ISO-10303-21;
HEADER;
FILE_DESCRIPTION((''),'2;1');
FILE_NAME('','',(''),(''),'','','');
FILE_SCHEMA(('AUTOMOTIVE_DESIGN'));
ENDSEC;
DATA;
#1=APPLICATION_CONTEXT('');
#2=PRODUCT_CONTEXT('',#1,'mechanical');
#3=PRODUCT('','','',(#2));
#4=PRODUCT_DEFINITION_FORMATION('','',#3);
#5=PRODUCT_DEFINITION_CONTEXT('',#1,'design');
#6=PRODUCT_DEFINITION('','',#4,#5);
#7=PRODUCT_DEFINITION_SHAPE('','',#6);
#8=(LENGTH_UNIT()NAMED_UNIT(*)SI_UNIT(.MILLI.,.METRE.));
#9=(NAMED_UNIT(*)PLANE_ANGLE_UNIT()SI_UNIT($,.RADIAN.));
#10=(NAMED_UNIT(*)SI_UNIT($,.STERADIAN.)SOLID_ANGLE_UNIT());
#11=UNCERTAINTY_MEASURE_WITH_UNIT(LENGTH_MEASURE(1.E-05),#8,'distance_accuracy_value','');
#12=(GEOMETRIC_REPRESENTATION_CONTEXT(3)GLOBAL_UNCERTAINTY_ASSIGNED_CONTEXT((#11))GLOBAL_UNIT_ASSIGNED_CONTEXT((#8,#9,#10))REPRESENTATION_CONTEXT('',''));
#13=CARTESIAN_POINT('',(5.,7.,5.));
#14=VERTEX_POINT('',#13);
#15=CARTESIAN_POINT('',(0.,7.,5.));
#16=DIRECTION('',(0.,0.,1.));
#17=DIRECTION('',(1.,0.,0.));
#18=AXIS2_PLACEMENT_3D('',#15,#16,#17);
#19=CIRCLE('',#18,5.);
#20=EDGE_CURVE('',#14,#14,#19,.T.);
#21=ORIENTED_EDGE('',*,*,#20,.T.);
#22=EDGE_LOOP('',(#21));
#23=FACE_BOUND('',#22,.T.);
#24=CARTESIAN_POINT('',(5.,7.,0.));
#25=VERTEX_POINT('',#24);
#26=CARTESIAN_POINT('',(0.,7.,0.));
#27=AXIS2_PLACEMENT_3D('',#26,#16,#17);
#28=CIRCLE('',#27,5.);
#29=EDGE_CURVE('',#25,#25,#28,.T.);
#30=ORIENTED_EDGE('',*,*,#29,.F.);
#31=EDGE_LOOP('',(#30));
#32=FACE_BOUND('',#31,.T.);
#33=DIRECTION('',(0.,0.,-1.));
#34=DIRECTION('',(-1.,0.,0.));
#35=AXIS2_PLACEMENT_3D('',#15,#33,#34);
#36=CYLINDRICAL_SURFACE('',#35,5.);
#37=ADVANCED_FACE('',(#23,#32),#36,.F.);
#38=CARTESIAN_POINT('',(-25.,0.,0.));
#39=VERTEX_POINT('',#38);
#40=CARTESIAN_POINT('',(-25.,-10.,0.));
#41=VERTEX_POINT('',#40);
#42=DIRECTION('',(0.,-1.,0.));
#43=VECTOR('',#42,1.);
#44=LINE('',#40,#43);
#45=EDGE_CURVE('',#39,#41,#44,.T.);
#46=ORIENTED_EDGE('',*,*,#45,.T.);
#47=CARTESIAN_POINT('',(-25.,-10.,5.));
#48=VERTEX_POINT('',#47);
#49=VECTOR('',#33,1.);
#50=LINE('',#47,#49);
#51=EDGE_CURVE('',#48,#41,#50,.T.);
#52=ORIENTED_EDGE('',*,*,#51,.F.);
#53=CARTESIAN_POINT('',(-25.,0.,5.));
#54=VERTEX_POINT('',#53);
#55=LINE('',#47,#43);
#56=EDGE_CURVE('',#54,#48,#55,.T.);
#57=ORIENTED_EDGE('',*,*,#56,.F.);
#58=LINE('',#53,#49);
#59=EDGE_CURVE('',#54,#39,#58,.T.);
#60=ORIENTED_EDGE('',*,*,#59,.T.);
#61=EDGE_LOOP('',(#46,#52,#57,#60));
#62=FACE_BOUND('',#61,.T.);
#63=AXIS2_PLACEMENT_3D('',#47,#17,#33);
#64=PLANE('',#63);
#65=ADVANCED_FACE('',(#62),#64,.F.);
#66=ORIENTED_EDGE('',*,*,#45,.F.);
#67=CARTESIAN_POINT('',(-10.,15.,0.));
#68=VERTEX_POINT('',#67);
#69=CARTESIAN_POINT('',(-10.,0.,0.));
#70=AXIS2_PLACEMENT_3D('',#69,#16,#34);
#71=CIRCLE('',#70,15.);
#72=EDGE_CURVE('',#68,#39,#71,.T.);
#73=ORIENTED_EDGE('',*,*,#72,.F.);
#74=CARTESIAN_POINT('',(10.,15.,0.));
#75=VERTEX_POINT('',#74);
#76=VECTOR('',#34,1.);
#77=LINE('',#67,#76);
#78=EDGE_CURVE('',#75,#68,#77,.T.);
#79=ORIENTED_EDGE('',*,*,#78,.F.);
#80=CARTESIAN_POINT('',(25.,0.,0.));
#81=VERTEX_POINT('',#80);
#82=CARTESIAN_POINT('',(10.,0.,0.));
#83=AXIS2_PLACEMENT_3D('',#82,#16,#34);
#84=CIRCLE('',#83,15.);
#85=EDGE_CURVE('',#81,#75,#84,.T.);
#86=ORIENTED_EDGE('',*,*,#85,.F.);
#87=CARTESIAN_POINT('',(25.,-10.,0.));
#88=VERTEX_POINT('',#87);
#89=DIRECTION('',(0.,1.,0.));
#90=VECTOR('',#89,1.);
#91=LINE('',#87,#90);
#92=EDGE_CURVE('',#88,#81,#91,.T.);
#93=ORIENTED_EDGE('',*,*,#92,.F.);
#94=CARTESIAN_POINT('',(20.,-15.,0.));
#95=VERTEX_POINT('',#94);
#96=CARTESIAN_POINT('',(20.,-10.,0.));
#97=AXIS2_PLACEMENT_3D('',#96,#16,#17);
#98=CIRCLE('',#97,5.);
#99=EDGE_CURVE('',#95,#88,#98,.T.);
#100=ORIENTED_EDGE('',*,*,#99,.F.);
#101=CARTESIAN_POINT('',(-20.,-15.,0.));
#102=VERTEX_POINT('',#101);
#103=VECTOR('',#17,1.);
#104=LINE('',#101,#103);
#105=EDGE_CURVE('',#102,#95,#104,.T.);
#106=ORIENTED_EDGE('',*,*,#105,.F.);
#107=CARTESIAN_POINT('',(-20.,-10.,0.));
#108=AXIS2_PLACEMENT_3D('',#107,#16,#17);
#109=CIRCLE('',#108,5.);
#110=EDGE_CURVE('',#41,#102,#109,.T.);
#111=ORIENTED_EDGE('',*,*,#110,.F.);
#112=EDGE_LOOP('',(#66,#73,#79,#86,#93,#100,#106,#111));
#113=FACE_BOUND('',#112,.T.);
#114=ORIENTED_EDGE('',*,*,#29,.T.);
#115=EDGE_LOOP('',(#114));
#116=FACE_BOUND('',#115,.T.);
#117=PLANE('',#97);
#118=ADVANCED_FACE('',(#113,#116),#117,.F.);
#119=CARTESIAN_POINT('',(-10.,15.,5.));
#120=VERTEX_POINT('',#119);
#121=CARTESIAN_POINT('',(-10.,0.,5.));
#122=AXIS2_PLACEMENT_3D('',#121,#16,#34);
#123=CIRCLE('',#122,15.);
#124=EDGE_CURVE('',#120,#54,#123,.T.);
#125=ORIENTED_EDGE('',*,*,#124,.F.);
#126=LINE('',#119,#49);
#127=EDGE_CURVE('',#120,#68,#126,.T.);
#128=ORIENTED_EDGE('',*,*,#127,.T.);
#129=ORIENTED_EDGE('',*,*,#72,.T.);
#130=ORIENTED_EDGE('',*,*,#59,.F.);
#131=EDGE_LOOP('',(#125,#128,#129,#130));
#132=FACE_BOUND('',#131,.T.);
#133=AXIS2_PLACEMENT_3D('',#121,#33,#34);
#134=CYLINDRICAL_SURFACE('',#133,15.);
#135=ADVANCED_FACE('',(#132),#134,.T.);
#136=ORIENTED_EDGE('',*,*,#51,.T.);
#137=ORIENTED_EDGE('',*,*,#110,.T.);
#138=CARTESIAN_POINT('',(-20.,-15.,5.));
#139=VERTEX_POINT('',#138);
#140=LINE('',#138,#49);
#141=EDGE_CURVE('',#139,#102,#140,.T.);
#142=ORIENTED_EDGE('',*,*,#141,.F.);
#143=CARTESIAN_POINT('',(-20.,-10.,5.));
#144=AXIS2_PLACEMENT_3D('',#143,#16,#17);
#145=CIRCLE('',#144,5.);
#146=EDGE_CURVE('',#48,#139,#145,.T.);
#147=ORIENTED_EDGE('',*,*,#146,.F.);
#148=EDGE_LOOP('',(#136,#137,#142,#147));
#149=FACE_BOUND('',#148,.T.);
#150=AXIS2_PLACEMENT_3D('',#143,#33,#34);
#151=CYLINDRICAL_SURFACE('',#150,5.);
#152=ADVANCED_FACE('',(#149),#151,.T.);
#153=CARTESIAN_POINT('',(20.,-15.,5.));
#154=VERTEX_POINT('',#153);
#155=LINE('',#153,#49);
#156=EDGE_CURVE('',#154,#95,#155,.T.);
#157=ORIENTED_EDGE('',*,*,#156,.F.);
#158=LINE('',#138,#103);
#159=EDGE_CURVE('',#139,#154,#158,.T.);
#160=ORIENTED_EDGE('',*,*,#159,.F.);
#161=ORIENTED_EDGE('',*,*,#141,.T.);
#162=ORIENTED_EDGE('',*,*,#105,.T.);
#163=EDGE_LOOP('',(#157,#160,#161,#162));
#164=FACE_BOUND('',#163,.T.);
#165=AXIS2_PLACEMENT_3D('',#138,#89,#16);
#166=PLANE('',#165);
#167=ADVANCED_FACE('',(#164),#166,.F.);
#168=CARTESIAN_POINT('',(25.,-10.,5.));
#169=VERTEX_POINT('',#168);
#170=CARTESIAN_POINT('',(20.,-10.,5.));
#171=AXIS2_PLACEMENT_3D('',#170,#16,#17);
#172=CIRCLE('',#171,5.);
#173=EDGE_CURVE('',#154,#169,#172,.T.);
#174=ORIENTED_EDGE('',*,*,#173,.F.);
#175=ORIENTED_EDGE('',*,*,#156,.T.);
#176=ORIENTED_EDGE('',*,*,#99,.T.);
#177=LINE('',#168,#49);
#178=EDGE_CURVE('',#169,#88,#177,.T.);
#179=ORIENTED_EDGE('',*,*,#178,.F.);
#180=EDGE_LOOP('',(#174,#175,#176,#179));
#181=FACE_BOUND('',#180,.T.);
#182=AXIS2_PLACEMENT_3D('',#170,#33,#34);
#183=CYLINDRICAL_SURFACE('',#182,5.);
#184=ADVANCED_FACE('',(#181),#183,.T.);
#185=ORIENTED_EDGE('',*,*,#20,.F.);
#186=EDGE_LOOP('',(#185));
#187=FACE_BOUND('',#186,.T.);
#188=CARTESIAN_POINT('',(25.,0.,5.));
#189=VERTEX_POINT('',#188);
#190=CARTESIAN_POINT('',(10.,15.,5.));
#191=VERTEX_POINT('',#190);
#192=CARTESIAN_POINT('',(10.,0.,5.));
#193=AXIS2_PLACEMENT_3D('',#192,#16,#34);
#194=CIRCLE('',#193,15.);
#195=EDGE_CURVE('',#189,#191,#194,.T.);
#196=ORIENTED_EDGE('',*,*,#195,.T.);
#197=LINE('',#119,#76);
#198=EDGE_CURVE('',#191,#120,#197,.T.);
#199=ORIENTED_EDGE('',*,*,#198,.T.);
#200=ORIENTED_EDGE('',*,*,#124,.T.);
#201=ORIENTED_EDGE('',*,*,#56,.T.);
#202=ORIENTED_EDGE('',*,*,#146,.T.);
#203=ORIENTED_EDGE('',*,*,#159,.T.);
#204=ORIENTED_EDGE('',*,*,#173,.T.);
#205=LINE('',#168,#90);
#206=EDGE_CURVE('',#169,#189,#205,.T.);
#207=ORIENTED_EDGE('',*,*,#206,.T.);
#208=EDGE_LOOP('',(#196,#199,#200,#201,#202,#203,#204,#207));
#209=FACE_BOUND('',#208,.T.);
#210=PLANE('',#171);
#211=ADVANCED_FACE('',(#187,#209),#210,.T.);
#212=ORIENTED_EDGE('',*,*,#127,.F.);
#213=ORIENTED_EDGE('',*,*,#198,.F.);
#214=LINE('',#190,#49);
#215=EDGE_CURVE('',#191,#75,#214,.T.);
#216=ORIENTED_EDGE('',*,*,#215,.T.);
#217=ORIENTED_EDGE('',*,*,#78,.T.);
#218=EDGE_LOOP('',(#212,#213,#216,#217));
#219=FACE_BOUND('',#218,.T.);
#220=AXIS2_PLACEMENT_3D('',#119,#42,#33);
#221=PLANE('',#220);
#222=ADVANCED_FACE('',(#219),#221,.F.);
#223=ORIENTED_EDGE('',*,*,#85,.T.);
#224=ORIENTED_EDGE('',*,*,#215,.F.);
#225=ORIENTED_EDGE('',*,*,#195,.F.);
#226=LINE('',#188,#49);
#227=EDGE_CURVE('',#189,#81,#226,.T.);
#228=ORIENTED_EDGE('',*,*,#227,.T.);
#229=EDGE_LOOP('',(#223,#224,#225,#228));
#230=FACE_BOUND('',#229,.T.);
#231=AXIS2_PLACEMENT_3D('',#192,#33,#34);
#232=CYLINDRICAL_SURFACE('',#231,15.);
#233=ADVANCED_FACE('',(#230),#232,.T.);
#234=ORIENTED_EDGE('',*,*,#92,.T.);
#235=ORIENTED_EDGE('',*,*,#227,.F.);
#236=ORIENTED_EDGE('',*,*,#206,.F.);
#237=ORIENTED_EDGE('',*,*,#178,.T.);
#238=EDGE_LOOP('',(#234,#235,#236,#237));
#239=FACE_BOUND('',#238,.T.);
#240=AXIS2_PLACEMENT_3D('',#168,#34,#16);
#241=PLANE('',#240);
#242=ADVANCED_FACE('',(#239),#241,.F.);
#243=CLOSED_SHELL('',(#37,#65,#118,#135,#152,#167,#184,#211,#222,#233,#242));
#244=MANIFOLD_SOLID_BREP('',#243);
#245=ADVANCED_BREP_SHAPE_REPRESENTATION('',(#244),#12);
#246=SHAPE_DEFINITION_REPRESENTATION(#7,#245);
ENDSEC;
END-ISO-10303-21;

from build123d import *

# Parameters (mm, degrees)
SZKIC1_R                    = 5
DODANIE_WYCI_GNI_CIE1_DEPTH = 5


with BuildPart() as part:
    # Szkic1 → Dodanie-wyciągnięcie1 (new body)
    with BuildSketch(Plane.XY):
        with BuildLine():
            Line((-20, -15), (20, -15))
            ThreePointArc((20, -15), (23.535533906, -13.535533906), (25, -10))
            Line((25, -10), (25, 0))
            ThreePointArc((25, 0), (20.606601718, 10.606601718), (10, 15))
            Line((10, 15), (-10, 15))
            ThreePointArc((-10, 15), (-20.606601718, 10.606601718), (-25, 0))
            Line((-25, 0), (-25, -10))
            ThreePointArc((-25, -10), (-23.535533906, -13.535533906), (-20, -15))
        make_face()
        with Locations((0, 7)):
            Circle(SZKIC1_R, mode=Mode.SUBTRACT)
    extrude(amount=DODANIE_WYCI_GNI_CIE1_DEPTH)


solid = part.part
